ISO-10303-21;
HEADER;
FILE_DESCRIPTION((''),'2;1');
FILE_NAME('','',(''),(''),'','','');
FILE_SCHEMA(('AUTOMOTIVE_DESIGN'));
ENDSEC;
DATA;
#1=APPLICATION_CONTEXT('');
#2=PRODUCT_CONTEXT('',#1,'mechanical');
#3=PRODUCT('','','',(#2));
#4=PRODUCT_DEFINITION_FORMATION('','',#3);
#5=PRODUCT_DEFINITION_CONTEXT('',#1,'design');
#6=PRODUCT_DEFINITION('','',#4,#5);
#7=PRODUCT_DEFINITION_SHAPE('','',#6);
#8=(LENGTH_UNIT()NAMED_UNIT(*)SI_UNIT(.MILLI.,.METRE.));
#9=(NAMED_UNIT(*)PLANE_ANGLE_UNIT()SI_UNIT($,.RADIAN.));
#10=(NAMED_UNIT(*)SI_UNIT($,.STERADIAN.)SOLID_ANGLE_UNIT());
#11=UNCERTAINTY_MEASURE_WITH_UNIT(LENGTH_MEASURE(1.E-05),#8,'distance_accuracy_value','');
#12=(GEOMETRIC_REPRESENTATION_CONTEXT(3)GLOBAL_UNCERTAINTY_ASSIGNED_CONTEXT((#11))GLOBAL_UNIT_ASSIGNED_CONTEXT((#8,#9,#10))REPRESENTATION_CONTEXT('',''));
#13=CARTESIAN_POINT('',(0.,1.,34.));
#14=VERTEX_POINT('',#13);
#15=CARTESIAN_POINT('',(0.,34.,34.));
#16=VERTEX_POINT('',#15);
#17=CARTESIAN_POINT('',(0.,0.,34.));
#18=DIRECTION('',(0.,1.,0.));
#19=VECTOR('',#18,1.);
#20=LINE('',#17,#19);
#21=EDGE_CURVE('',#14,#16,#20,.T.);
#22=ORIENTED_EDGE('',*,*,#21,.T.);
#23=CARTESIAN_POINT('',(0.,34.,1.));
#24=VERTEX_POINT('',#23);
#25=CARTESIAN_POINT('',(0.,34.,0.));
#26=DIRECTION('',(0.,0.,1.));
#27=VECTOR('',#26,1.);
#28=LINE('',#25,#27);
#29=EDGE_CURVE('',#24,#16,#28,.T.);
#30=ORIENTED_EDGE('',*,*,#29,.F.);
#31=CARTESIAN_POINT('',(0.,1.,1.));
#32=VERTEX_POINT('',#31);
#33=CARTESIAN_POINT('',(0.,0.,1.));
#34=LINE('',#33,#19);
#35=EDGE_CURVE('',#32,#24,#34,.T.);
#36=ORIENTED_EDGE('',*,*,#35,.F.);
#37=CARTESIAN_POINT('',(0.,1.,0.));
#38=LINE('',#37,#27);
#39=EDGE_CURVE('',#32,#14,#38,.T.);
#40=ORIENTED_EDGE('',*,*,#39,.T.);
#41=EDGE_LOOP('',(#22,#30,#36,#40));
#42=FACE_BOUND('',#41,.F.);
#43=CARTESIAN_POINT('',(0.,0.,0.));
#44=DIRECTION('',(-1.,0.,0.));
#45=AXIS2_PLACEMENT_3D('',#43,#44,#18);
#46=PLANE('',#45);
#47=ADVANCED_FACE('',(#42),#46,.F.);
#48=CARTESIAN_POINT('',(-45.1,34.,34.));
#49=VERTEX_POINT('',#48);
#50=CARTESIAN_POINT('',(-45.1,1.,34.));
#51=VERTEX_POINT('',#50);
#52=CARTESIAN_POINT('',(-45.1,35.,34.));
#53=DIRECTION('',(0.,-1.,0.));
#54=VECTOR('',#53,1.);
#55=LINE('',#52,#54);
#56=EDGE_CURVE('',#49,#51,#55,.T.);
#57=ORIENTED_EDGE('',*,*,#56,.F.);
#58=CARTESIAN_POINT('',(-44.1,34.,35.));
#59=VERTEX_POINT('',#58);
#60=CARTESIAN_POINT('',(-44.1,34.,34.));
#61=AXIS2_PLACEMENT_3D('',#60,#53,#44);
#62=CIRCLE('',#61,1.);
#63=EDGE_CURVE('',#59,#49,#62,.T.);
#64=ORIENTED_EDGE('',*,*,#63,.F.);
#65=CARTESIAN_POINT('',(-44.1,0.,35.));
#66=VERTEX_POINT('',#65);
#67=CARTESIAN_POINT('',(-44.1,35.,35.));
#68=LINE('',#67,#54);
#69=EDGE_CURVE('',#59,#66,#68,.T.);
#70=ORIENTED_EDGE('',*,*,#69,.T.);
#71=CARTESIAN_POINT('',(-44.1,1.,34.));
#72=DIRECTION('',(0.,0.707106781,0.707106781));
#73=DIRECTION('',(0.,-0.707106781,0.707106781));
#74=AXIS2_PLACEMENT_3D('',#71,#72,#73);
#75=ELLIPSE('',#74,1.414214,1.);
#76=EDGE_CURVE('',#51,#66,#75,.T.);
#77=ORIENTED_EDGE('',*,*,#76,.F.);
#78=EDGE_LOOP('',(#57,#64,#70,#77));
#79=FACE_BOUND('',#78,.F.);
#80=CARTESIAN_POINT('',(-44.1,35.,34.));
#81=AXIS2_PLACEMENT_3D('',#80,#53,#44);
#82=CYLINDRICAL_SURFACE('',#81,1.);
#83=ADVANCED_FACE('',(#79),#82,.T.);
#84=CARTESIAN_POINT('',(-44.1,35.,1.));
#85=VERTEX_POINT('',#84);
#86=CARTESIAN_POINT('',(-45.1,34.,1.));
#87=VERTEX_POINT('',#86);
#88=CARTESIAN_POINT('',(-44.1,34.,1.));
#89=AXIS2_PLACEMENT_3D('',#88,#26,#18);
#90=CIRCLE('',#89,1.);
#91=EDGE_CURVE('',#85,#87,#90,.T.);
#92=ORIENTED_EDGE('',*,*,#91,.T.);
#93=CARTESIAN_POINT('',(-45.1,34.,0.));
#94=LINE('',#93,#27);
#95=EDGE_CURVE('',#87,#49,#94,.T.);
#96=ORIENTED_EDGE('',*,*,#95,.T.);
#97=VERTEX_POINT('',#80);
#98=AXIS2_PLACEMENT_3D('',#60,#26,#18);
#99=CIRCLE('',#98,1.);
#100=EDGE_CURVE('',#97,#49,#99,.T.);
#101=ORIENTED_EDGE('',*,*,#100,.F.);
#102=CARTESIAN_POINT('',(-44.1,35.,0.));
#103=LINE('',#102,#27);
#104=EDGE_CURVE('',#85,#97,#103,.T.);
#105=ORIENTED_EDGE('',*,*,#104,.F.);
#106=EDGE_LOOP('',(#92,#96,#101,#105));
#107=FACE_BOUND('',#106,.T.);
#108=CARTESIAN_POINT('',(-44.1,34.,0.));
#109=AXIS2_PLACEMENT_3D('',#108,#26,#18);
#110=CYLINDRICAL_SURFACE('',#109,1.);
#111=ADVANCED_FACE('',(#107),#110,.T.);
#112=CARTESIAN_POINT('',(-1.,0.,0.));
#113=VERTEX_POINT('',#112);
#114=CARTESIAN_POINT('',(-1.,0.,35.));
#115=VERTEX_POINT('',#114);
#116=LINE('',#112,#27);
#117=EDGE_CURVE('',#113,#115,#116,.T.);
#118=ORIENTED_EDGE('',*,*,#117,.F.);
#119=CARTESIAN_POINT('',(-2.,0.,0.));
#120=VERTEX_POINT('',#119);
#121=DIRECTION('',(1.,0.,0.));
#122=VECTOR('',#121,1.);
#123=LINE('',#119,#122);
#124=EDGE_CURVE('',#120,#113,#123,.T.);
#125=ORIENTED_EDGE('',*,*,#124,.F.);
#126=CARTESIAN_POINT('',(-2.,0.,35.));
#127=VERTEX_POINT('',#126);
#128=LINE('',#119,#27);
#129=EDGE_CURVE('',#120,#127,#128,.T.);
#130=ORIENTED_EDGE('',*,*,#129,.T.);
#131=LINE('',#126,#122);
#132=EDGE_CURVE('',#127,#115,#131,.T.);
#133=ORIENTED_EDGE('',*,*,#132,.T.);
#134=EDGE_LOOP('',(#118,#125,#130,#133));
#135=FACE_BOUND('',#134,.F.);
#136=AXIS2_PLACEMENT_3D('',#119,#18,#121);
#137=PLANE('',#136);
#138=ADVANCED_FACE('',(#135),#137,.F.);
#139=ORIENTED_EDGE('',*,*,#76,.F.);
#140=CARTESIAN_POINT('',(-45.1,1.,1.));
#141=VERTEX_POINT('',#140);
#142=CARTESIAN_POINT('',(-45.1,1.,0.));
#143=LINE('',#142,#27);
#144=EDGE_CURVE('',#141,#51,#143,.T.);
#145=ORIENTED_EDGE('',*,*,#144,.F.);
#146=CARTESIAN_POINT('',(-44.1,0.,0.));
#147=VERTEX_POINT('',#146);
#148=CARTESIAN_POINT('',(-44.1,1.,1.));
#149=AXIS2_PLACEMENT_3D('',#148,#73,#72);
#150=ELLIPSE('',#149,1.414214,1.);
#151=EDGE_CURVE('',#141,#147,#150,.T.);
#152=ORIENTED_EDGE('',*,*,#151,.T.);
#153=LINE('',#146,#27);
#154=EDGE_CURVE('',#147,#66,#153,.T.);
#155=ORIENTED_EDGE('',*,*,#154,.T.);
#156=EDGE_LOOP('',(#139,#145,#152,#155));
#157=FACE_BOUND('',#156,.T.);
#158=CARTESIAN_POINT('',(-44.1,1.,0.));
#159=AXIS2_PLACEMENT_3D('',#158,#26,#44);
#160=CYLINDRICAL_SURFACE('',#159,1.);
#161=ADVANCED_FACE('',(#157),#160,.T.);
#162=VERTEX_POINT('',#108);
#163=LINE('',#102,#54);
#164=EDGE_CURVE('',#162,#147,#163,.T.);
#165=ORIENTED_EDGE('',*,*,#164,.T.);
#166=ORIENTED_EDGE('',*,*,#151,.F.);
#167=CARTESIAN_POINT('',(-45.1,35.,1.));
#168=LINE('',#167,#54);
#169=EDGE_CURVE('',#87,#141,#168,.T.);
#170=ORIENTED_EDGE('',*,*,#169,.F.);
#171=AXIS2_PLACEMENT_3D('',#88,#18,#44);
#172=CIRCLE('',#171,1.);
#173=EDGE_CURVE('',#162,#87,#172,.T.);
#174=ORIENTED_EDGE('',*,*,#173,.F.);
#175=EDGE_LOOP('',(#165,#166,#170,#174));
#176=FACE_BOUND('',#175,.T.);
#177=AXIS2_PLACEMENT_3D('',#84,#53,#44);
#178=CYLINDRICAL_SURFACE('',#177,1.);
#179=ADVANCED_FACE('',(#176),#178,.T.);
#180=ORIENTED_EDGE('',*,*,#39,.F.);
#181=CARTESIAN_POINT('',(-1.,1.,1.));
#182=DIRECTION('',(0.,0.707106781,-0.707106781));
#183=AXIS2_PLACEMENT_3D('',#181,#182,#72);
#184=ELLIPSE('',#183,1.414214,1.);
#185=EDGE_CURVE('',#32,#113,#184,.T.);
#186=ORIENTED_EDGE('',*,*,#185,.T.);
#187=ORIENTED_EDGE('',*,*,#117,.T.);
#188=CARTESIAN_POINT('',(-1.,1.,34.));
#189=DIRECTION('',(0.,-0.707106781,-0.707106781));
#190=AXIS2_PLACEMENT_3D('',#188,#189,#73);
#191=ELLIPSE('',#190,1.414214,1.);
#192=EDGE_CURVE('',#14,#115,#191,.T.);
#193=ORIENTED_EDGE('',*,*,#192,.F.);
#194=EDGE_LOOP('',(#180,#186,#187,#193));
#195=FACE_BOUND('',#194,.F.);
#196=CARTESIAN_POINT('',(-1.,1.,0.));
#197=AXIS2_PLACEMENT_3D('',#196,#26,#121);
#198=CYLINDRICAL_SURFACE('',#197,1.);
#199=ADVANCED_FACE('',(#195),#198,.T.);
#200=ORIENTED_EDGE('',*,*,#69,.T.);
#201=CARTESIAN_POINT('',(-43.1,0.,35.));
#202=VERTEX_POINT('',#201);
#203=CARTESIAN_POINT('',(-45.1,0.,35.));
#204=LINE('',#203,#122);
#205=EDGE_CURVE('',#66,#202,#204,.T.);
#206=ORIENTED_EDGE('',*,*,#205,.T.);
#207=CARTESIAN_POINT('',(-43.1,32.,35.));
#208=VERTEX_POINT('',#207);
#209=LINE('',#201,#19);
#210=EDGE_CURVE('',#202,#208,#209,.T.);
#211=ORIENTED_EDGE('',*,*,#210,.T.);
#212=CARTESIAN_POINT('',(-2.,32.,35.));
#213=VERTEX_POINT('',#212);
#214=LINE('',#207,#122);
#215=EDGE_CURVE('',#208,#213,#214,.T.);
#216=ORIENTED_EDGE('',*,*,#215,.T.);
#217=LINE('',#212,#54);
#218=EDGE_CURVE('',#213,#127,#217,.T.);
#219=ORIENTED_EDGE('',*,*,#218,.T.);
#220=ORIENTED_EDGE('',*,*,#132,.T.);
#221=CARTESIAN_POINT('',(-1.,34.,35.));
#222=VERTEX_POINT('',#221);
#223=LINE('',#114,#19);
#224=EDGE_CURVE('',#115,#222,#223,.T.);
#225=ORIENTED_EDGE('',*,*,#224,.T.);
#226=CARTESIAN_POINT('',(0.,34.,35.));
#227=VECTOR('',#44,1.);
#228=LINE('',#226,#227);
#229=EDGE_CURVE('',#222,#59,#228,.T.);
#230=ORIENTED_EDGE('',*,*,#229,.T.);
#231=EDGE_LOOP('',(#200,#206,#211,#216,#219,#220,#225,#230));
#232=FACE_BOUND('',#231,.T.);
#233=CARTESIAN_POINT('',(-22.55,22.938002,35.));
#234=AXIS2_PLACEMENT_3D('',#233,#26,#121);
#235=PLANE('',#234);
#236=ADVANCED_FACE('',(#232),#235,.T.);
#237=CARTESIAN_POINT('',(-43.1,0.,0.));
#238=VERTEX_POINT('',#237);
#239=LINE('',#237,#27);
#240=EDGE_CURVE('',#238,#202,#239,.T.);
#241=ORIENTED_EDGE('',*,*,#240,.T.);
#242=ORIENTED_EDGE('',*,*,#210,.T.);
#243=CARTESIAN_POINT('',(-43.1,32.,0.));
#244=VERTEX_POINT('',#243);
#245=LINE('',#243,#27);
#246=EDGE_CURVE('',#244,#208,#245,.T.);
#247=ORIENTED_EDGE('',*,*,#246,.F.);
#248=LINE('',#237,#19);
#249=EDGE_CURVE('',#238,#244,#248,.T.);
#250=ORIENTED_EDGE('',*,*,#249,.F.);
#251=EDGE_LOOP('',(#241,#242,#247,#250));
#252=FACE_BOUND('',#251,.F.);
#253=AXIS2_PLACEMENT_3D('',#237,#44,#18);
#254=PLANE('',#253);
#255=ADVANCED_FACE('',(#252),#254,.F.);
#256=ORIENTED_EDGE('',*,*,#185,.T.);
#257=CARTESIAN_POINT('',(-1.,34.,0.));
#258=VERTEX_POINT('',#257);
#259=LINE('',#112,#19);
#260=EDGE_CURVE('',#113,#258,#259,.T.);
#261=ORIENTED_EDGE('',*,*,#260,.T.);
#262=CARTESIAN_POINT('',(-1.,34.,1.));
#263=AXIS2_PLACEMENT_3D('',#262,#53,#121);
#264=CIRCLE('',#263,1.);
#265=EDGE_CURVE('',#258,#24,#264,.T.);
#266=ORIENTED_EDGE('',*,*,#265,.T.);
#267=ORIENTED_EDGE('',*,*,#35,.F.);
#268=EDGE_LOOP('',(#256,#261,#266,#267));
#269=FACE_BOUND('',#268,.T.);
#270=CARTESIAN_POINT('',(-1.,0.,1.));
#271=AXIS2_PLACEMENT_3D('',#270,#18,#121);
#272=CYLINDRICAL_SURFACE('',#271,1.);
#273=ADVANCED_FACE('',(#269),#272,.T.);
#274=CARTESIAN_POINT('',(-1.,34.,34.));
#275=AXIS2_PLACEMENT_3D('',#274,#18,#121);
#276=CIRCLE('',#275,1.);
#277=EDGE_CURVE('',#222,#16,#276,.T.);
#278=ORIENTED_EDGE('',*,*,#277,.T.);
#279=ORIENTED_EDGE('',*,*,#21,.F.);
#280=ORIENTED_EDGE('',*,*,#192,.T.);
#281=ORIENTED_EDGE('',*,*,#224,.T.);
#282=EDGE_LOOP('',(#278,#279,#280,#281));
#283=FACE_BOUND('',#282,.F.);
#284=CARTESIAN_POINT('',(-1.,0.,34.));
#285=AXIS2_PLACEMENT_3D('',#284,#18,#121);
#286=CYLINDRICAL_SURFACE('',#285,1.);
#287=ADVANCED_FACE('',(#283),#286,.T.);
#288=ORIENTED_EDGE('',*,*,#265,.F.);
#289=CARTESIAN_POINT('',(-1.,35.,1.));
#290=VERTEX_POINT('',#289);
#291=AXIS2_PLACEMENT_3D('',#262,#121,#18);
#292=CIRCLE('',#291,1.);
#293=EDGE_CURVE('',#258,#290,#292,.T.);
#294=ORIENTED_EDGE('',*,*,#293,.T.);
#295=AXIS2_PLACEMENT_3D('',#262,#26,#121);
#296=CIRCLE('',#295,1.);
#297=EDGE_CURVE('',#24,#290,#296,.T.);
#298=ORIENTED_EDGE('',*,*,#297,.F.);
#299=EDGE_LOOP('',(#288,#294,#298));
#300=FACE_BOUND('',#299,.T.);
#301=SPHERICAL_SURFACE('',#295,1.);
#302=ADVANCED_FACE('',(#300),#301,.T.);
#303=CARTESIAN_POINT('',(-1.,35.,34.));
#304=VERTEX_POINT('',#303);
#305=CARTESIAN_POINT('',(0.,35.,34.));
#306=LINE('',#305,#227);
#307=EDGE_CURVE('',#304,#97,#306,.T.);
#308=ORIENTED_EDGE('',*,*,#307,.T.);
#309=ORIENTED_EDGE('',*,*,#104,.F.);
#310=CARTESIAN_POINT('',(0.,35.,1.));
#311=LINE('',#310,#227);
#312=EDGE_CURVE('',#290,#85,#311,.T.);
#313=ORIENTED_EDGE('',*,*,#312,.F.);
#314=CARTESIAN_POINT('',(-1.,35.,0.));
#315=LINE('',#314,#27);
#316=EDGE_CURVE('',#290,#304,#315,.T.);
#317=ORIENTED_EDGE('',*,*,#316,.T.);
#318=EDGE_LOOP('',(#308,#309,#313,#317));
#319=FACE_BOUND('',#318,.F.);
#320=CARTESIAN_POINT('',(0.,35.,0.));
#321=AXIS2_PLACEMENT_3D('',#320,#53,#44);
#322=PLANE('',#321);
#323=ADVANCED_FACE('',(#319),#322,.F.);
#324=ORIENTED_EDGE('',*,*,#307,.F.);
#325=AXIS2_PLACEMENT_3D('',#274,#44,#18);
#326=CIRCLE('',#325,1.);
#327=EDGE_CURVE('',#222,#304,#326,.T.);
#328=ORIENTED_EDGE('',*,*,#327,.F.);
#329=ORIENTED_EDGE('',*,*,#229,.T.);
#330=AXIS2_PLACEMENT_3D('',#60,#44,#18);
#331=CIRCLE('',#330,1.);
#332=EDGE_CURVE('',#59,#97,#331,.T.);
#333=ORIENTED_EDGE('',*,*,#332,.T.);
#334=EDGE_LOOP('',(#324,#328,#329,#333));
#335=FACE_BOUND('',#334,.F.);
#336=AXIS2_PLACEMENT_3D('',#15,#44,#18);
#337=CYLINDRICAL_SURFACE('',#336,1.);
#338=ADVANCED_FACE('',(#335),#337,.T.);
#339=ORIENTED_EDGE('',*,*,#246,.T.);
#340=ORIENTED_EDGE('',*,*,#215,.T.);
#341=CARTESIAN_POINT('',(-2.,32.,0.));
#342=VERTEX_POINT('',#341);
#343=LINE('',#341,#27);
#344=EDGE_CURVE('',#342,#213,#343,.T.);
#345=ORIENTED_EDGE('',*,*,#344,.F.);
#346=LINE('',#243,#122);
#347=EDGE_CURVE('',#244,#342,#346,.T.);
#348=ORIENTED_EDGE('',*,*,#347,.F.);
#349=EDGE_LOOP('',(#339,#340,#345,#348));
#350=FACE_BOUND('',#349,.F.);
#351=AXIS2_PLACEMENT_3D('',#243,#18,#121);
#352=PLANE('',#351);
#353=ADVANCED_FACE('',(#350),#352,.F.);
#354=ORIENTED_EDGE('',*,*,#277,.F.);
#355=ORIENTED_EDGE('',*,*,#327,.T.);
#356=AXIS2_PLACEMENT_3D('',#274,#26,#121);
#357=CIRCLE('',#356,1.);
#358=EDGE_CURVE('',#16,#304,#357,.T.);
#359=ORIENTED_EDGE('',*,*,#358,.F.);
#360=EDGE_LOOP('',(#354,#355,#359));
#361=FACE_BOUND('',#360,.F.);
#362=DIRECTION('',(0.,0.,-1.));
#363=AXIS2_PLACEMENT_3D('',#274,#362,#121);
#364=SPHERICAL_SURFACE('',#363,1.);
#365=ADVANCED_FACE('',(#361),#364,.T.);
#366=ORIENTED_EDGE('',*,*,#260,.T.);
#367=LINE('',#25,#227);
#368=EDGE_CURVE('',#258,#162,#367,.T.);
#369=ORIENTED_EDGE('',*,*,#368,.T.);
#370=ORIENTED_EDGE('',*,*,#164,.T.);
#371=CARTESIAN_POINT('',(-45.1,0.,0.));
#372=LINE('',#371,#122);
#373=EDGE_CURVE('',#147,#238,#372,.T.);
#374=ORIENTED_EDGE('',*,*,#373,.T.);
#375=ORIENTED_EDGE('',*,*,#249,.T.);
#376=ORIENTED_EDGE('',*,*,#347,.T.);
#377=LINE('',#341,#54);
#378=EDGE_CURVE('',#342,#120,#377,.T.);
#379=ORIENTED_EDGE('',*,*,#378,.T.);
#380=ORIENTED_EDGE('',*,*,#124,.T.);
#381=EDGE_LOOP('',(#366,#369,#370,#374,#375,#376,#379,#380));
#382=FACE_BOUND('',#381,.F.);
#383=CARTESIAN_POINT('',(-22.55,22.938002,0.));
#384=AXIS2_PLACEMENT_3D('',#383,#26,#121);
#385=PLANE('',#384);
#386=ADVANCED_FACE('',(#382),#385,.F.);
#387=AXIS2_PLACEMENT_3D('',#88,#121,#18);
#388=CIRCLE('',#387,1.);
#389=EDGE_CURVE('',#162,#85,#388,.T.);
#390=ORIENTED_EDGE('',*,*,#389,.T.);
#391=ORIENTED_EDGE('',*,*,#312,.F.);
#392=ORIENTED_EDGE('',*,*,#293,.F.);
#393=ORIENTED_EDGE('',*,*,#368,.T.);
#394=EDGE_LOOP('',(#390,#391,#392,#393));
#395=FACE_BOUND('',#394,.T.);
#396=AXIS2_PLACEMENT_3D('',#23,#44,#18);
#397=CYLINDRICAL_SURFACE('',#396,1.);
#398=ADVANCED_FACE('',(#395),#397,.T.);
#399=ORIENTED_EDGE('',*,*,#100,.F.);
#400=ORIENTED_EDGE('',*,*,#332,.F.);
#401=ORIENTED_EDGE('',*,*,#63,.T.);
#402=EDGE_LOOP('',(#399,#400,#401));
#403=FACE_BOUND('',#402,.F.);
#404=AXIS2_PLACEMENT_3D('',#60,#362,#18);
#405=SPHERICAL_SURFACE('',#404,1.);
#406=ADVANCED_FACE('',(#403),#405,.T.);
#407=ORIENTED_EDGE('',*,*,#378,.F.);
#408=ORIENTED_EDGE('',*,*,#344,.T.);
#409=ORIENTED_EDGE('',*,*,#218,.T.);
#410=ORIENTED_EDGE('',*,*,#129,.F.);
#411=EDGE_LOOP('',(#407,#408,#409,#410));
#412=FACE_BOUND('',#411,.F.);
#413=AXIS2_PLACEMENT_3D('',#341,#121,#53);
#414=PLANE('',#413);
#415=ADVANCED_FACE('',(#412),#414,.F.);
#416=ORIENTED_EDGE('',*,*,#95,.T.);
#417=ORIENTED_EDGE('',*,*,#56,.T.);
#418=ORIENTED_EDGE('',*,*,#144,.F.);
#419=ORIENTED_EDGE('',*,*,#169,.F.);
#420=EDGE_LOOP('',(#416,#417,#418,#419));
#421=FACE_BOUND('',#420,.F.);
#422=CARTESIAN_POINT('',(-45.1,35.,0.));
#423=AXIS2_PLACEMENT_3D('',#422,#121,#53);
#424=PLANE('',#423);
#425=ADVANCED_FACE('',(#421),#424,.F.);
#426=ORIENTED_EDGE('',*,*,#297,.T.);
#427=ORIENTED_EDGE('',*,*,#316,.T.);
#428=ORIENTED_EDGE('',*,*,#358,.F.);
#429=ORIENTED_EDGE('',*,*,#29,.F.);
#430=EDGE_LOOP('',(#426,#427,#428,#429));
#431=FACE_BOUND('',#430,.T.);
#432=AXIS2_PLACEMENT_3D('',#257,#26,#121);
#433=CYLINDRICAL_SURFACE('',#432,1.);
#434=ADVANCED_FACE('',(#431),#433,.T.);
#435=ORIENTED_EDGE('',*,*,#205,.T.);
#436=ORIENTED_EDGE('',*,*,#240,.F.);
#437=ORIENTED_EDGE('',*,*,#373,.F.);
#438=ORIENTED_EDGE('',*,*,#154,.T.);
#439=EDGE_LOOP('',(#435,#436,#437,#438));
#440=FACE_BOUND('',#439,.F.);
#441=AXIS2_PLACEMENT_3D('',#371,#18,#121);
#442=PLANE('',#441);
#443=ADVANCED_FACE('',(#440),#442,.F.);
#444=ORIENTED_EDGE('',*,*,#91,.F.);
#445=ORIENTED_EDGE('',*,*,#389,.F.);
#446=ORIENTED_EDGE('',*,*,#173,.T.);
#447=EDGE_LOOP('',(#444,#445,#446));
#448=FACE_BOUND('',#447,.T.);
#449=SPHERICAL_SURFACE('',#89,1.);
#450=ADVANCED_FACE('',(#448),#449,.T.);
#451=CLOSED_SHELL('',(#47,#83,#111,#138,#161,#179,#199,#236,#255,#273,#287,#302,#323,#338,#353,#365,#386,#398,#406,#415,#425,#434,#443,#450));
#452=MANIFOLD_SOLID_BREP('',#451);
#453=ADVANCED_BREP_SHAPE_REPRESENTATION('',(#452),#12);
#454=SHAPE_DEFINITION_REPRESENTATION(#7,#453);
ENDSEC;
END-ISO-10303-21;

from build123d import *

# Parameters (mm, degrees)
PAD_DEPTH = 35
FILLET_R  = 1


with BuildPart() as part:
    # Sketch → Pad (new body)
    with BuildSketch(Plane.XY):
        Polygon((0, 0), (0, 35), (-45.1, 35), (-45.1, 0), (-43.1, 0), (-43.1, 32), (-2, 32), (-2, 0), align=None)
    extrude(amount=PAD_DEPTH)

    # Fillet
    fillet_edges = [part.edges().sort_by_distance(p)[0] for p in [
        (0, 0, 17.5),
        (0, 35, 17.5),
        (0, 17.5, 0),
        (0, 17.5, 35),
        (-45.1, 35, 17.5),
        (-22.55, 35, 0),
        (-22.55, 35, 35),
        (-45.1, 0, 17.5),
        (-45.1, 17.5, 0),
        (-45.1, 17.5, 35),
    ]]
    fillet(fillet_edges, radius=FILLET_R)


solid = part.part
